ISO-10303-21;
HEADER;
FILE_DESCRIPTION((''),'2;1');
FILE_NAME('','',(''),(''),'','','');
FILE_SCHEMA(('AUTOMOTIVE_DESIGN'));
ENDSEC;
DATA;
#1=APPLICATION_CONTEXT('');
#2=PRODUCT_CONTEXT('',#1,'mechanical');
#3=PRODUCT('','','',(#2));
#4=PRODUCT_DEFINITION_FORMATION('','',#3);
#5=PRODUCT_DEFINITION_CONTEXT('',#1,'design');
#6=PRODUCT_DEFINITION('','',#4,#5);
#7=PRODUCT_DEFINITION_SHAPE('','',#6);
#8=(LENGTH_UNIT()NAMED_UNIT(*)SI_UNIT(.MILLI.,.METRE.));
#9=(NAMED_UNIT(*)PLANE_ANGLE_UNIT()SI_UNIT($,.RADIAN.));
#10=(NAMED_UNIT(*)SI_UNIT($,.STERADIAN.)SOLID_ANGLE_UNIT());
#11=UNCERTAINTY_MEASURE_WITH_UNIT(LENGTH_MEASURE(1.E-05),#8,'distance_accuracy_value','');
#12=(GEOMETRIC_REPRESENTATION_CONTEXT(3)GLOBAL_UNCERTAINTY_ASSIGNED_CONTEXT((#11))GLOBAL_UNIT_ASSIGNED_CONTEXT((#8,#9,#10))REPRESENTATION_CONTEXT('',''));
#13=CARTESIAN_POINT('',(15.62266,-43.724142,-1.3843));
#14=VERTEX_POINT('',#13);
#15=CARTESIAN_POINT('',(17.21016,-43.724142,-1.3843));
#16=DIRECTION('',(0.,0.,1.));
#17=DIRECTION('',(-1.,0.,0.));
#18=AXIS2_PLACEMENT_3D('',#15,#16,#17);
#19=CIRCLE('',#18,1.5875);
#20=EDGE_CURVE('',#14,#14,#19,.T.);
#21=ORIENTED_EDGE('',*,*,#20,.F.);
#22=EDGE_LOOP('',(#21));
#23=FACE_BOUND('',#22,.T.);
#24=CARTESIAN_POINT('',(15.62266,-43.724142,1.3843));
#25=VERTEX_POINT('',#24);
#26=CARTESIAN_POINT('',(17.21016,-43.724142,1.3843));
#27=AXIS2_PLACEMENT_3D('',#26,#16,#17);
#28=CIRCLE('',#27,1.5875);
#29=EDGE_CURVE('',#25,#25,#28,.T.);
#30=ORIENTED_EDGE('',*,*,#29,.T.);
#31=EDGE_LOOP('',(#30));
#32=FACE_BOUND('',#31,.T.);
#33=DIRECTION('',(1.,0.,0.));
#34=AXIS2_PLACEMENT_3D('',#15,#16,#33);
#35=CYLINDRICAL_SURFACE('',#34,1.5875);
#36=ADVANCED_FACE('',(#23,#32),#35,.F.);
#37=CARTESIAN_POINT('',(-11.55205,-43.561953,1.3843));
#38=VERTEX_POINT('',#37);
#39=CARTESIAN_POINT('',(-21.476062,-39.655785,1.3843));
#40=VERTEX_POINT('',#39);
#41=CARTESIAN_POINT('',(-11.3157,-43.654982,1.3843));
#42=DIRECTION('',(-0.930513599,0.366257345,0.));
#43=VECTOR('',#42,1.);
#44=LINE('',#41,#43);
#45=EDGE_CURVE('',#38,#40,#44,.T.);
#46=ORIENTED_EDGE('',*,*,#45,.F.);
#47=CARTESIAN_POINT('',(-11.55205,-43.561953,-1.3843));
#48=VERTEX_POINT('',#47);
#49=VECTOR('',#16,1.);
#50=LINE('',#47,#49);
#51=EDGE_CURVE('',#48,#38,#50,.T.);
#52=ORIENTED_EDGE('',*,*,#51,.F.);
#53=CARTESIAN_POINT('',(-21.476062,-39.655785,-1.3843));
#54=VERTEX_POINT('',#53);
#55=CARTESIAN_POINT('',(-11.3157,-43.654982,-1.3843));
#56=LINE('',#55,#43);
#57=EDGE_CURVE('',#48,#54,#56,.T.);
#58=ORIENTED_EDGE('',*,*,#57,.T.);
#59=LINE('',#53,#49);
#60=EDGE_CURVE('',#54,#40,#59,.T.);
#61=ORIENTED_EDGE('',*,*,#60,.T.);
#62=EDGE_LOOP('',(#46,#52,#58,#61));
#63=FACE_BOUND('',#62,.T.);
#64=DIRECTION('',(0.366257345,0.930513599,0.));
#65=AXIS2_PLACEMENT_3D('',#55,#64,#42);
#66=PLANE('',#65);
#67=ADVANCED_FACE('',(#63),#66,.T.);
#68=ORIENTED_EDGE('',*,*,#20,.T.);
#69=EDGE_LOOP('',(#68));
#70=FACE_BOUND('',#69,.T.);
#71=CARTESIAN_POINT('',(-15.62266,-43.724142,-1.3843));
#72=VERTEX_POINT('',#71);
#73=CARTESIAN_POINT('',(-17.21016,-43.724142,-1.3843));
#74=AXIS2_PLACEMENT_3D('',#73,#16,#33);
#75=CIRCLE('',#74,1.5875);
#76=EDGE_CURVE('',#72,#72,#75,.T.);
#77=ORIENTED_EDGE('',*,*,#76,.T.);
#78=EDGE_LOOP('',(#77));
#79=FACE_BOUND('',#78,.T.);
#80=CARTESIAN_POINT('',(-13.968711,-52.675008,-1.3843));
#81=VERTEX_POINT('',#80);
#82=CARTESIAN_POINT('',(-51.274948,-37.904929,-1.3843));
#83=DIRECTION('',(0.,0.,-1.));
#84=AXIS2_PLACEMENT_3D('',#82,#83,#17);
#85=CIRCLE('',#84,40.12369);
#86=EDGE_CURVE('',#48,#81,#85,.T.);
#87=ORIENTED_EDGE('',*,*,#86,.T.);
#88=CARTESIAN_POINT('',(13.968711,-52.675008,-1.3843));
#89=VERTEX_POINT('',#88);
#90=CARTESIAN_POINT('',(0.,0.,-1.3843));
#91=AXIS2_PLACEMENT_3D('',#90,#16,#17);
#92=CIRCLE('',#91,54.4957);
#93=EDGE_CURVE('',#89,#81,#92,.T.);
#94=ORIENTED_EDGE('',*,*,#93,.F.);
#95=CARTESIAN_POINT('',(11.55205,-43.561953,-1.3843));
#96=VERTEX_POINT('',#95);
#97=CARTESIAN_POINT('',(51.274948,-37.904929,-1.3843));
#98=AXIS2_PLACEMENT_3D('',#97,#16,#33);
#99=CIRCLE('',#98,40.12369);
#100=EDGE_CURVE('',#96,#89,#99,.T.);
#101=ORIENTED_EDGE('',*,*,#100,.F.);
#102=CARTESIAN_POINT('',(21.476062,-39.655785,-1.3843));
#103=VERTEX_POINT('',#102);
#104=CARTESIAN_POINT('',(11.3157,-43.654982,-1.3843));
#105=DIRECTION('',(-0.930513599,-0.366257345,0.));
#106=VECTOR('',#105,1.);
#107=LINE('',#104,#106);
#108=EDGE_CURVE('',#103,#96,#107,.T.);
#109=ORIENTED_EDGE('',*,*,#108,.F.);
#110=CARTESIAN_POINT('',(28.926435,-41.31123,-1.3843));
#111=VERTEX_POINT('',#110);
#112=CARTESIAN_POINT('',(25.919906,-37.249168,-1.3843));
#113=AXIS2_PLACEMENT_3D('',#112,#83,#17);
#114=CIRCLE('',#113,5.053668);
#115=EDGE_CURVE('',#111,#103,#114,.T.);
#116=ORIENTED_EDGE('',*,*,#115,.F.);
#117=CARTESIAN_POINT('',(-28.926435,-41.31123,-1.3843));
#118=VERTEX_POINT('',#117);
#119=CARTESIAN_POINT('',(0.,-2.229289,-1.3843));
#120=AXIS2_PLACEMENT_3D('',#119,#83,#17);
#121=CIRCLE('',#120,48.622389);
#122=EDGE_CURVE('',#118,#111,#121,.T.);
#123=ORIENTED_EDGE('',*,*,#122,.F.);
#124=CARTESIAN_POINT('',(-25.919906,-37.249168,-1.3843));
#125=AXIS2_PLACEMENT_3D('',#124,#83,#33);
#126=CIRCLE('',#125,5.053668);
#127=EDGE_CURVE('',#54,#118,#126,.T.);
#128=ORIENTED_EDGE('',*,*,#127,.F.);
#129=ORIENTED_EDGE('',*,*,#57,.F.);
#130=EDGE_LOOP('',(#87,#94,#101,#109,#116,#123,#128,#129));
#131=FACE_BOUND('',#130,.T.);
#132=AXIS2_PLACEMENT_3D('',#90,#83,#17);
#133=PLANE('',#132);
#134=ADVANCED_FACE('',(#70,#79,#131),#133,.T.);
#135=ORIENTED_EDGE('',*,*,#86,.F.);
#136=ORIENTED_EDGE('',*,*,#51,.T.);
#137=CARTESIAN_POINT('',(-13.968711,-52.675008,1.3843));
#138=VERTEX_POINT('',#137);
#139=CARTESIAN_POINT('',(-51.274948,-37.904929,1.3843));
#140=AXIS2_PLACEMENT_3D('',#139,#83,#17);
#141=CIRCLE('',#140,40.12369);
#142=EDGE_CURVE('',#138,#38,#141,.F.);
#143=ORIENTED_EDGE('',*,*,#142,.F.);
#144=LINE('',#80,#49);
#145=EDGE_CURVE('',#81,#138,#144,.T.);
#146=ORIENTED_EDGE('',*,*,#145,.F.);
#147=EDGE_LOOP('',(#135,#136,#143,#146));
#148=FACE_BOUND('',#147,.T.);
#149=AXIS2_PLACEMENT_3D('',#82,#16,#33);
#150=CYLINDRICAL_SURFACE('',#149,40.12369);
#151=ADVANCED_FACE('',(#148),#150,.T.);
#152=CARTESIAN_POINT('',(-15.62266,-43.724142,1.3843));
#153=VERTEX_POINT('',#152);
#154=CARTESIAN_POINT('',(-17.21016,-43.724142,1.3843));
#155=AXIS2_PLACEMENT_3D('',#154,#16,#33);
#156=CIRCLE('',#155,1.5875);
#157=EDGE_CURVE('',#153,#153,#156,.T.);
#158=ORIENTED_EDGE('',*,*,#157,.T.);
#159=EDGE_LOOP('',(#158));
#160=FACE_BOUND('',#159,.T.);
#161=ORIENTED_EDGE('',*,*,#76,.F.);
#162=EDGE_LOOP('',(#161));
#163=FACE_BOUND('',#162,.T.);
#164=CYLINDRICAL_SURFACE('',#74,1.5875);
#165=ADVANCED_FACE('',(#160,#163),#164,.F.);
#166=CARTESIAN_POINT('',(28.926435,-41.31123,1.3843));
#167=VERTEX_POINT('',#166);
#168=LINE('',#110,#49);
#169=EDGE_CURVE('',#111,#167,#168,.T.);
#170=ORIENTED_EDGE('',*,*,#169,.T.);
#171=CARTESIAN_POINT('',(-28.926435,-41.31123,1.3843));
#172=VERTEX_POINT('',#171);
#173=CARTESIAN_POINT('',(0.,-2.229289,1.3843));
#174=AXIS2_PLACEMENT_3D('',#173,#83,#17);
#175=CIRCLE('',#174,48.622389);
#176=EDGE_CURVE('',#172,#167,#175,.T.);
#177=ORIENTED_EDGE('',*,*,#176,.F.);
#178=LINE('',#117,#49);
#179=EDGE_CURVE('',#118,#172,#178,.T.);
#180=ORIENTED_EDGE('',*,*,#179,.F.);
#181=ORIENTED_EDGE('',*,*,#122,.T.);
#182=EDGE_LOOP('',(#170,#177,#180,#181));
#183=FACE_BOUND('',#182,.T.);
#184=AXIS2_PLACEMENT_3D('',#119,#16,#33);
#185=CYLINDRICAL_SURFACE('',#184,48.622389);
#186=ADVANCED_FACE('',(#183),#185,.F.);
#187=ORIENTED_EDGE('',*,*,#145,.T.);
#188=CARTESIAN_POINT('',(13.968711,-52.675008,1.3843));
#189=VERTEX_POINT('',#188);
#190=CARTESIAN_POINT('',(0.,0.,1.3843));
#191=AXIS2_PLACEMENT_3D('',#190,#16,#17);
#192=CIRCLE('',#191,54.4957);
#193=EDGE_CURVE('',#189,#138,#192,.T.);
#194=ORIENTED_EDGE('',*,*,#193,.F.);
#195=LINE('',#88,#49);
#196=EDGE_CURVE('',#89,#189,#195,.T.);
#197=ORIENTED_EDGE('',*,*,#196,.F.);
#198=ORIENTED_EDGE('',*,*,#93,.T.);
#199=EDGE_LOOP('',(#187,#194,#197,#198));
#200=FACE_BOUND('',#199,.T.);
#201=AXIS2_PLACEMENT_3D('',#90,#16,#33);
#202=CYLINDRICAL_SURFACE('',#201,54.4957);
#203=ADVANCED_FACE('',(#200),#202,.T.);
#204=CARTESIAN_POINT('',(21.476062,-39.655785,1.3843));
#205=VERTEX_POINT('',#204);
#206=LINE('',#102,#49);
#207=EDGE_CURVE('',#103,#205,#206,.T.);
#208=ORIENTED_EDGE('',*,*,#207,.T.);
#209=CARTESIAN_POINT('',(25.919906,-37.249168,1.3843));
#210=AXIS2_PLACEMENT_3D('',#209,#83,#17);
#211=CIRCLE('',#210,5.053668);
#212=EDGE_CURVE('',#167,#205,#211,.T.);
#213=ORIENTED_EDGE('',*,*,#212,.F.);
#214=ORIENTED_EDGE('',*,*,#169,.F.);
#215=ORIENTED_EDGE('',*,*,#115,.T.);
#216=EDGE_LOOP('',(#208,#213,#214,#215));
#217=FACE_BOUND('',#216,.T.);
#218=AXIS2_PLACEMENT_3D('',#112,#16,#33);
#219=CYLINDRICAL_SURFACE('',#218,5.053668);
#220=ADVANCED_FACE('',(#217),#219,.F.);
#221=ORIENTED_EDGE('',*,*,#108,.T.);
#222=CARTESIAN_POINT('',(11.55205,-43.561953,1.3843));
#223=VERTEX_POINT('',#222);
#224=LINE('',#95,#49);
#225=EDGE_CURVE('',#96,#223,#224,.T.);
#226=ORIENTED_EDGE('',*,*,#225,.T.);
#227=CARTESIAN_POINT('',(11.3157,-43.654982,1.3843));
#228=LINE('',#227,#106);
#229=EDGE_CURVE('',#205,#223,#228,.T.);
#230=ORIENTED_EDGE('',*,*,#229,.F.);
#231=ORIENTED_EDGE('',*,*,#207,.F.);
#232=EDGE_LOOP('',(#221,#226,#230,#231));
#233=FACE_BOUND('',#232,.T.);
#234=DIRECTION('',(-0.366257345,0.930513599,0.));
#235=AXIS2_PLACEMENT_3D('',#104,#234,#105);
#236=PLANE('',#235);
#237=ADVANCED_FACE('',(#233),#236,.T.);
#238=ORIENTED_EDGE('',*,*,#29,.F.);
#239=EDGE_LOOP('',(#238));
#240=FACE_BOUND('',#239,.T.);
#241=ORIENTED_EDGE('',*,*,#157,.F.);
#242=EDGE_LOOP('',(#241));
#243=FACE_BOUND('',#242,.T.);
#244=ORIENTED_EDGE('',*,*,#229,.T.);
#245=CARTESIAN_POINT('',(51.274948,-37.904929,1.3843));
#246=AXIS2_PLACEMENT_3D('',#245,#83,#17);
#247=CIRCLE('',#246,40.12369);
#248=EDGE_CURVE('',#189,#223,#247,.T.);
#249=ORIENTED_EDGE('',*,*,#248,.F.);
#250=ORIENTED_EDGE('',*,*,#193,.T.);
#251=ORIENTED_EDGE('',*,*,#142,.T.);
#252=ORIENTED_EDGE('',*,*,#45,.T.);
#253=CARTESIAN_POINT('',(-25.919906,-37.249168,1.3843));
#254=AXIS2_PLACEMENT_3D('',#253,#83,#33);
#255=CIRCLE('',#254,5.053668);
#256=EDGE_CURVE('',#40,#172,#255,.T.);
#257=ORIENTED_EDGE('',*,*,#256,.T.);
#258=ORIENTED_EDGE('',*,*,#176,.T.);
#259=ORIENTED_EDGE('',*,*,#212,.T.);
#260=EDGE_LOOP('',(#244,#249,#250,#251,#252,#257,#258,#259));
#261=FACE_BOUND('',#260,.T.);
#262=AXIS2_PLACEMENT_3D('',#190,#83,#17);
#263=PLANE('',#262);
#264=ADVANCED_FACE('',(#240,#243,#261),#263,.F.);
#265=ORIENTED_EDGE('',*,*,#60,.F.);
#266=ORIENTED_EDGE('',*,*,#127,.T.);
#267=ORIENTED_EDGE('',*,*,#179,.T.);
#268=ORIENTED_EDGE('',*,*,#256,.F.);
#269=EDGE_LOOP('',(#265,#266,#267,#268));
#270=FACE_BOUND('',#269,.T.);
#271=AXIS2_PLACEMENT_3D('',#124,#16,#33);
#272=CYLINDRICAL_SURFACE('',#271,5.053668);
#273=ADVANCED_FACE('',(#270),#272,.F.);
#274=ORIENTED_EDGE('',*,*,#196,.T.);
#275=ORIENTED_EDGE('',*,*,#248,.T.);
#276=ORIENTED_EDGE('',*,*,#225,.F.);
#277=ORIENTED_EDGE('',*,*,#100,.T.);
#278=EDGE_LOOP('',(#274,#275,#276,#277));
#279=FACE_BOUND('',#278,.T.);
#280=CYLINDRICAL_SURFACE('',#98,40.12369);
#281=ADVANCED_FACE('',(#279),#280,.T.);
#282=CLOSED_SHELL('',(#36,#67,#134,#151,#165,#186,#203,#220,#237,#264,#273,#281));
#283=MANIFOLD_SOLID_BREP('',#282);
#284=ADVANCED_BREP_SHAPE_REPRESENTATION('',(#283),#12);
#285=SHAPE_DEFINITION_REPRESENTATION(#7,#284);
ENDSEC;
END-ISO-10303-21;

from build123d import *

# Parameters (mm, degrees)
BOSS_EXTRUDE1_DEPTH      = 1.3843
BOSS_EXTRUDE1_DEPTH_BACK = 1.3843
SKETCH3_R                = 1.5875
CUT_EXTRUDE1_DEPTH       = 78.080989378


with BuildPart() as part:
    # Sketch3 → Boss-Extrude1 (new, two sides: drawn at the far end of the back side and taken through both)
    with BuildSketch(Plane.XY.offset(-BOSS_EXTRUDE1_DEPTH_BACK)):
        with BuildLine():
            Line((-13.67380138, -52.752331459), (-11.3157, -43.654982291))
            Line((-11.3157, -43.654982291), (-21.476062034, -39.655785263))
            ThreePointArc((-21.476062034, -39.655785263), (-24.823734092, -42.182520656), (-28.926434765, -41.311230152))
            ThreePointArc((-28.926434765, -41.311230152), (0, 46.3931), (28.926434765, -41.311230152))
            ThreePointArc((28.926434765, -41.311230152), (24.823734092, -42.182520656), (21.476062034, -39.655785263))
            Line((21.476062034, -39.655785263), (11.3157, -43.654982291))
            Line((11.3157, -43.654982291), (13.67380138, -52.752331459))
            ThreePointArc((13.67380138, -52.752331459), (0, 54.4957), (-13.67380138, -52.752331459))
        make_face()
        with Locations((-17.210160294, -43.724142128)):
            Circle(SKETCH3_R, mode=Mode.SUBTRACT)
        with Locations(Location((17.210160294, -43.724142128, 0), (0, 0, 180))):
            Circle(SKETCH3_R, mode=Mode.SUBTRACT)
    extrude(amount=BOSS_EXTRUDE1_DEPTH + BOSS_EXTRUDE1_DEPTH_BACK)

    # Sketch4 → Cut-Extrude1 (cut, symmetric)
    with BuildSketch(Plane.XY):
        with BuildLine():
            Line((-13.968711324, -52.675007569), (-13.968711324, -66.643718893))
            Line((-13.968711324, -66.643718893), (0, -66.643718893))
            Line((0, -66.643718893), (0, -54.4957))
            Line((0, -54.4957), (0, -43.561952925))
            Line((0, -43.561952925), (-11.552050454, -43.561952925))
            ThreePointArc((-11.552050454, -43.561952925), (-12.491783859, -48.189708607), (-13.968711324, -52.675007569))
        make_face()
    cut_extrude1 = extrude(amount=CUT_EXTRUDE1_DEPTH, both=True, mode=Mode.SUBTRACT)

    # Mirror1: Cut-Extrude1 across plane
    add(cut_extrude1.mirror(Plane(origin=(0, 0, 0), x_dir=(0, 0, 1), z_dir=(1, 0, 0))), mode=Mode.SUBTRACT)


solid = part.part
